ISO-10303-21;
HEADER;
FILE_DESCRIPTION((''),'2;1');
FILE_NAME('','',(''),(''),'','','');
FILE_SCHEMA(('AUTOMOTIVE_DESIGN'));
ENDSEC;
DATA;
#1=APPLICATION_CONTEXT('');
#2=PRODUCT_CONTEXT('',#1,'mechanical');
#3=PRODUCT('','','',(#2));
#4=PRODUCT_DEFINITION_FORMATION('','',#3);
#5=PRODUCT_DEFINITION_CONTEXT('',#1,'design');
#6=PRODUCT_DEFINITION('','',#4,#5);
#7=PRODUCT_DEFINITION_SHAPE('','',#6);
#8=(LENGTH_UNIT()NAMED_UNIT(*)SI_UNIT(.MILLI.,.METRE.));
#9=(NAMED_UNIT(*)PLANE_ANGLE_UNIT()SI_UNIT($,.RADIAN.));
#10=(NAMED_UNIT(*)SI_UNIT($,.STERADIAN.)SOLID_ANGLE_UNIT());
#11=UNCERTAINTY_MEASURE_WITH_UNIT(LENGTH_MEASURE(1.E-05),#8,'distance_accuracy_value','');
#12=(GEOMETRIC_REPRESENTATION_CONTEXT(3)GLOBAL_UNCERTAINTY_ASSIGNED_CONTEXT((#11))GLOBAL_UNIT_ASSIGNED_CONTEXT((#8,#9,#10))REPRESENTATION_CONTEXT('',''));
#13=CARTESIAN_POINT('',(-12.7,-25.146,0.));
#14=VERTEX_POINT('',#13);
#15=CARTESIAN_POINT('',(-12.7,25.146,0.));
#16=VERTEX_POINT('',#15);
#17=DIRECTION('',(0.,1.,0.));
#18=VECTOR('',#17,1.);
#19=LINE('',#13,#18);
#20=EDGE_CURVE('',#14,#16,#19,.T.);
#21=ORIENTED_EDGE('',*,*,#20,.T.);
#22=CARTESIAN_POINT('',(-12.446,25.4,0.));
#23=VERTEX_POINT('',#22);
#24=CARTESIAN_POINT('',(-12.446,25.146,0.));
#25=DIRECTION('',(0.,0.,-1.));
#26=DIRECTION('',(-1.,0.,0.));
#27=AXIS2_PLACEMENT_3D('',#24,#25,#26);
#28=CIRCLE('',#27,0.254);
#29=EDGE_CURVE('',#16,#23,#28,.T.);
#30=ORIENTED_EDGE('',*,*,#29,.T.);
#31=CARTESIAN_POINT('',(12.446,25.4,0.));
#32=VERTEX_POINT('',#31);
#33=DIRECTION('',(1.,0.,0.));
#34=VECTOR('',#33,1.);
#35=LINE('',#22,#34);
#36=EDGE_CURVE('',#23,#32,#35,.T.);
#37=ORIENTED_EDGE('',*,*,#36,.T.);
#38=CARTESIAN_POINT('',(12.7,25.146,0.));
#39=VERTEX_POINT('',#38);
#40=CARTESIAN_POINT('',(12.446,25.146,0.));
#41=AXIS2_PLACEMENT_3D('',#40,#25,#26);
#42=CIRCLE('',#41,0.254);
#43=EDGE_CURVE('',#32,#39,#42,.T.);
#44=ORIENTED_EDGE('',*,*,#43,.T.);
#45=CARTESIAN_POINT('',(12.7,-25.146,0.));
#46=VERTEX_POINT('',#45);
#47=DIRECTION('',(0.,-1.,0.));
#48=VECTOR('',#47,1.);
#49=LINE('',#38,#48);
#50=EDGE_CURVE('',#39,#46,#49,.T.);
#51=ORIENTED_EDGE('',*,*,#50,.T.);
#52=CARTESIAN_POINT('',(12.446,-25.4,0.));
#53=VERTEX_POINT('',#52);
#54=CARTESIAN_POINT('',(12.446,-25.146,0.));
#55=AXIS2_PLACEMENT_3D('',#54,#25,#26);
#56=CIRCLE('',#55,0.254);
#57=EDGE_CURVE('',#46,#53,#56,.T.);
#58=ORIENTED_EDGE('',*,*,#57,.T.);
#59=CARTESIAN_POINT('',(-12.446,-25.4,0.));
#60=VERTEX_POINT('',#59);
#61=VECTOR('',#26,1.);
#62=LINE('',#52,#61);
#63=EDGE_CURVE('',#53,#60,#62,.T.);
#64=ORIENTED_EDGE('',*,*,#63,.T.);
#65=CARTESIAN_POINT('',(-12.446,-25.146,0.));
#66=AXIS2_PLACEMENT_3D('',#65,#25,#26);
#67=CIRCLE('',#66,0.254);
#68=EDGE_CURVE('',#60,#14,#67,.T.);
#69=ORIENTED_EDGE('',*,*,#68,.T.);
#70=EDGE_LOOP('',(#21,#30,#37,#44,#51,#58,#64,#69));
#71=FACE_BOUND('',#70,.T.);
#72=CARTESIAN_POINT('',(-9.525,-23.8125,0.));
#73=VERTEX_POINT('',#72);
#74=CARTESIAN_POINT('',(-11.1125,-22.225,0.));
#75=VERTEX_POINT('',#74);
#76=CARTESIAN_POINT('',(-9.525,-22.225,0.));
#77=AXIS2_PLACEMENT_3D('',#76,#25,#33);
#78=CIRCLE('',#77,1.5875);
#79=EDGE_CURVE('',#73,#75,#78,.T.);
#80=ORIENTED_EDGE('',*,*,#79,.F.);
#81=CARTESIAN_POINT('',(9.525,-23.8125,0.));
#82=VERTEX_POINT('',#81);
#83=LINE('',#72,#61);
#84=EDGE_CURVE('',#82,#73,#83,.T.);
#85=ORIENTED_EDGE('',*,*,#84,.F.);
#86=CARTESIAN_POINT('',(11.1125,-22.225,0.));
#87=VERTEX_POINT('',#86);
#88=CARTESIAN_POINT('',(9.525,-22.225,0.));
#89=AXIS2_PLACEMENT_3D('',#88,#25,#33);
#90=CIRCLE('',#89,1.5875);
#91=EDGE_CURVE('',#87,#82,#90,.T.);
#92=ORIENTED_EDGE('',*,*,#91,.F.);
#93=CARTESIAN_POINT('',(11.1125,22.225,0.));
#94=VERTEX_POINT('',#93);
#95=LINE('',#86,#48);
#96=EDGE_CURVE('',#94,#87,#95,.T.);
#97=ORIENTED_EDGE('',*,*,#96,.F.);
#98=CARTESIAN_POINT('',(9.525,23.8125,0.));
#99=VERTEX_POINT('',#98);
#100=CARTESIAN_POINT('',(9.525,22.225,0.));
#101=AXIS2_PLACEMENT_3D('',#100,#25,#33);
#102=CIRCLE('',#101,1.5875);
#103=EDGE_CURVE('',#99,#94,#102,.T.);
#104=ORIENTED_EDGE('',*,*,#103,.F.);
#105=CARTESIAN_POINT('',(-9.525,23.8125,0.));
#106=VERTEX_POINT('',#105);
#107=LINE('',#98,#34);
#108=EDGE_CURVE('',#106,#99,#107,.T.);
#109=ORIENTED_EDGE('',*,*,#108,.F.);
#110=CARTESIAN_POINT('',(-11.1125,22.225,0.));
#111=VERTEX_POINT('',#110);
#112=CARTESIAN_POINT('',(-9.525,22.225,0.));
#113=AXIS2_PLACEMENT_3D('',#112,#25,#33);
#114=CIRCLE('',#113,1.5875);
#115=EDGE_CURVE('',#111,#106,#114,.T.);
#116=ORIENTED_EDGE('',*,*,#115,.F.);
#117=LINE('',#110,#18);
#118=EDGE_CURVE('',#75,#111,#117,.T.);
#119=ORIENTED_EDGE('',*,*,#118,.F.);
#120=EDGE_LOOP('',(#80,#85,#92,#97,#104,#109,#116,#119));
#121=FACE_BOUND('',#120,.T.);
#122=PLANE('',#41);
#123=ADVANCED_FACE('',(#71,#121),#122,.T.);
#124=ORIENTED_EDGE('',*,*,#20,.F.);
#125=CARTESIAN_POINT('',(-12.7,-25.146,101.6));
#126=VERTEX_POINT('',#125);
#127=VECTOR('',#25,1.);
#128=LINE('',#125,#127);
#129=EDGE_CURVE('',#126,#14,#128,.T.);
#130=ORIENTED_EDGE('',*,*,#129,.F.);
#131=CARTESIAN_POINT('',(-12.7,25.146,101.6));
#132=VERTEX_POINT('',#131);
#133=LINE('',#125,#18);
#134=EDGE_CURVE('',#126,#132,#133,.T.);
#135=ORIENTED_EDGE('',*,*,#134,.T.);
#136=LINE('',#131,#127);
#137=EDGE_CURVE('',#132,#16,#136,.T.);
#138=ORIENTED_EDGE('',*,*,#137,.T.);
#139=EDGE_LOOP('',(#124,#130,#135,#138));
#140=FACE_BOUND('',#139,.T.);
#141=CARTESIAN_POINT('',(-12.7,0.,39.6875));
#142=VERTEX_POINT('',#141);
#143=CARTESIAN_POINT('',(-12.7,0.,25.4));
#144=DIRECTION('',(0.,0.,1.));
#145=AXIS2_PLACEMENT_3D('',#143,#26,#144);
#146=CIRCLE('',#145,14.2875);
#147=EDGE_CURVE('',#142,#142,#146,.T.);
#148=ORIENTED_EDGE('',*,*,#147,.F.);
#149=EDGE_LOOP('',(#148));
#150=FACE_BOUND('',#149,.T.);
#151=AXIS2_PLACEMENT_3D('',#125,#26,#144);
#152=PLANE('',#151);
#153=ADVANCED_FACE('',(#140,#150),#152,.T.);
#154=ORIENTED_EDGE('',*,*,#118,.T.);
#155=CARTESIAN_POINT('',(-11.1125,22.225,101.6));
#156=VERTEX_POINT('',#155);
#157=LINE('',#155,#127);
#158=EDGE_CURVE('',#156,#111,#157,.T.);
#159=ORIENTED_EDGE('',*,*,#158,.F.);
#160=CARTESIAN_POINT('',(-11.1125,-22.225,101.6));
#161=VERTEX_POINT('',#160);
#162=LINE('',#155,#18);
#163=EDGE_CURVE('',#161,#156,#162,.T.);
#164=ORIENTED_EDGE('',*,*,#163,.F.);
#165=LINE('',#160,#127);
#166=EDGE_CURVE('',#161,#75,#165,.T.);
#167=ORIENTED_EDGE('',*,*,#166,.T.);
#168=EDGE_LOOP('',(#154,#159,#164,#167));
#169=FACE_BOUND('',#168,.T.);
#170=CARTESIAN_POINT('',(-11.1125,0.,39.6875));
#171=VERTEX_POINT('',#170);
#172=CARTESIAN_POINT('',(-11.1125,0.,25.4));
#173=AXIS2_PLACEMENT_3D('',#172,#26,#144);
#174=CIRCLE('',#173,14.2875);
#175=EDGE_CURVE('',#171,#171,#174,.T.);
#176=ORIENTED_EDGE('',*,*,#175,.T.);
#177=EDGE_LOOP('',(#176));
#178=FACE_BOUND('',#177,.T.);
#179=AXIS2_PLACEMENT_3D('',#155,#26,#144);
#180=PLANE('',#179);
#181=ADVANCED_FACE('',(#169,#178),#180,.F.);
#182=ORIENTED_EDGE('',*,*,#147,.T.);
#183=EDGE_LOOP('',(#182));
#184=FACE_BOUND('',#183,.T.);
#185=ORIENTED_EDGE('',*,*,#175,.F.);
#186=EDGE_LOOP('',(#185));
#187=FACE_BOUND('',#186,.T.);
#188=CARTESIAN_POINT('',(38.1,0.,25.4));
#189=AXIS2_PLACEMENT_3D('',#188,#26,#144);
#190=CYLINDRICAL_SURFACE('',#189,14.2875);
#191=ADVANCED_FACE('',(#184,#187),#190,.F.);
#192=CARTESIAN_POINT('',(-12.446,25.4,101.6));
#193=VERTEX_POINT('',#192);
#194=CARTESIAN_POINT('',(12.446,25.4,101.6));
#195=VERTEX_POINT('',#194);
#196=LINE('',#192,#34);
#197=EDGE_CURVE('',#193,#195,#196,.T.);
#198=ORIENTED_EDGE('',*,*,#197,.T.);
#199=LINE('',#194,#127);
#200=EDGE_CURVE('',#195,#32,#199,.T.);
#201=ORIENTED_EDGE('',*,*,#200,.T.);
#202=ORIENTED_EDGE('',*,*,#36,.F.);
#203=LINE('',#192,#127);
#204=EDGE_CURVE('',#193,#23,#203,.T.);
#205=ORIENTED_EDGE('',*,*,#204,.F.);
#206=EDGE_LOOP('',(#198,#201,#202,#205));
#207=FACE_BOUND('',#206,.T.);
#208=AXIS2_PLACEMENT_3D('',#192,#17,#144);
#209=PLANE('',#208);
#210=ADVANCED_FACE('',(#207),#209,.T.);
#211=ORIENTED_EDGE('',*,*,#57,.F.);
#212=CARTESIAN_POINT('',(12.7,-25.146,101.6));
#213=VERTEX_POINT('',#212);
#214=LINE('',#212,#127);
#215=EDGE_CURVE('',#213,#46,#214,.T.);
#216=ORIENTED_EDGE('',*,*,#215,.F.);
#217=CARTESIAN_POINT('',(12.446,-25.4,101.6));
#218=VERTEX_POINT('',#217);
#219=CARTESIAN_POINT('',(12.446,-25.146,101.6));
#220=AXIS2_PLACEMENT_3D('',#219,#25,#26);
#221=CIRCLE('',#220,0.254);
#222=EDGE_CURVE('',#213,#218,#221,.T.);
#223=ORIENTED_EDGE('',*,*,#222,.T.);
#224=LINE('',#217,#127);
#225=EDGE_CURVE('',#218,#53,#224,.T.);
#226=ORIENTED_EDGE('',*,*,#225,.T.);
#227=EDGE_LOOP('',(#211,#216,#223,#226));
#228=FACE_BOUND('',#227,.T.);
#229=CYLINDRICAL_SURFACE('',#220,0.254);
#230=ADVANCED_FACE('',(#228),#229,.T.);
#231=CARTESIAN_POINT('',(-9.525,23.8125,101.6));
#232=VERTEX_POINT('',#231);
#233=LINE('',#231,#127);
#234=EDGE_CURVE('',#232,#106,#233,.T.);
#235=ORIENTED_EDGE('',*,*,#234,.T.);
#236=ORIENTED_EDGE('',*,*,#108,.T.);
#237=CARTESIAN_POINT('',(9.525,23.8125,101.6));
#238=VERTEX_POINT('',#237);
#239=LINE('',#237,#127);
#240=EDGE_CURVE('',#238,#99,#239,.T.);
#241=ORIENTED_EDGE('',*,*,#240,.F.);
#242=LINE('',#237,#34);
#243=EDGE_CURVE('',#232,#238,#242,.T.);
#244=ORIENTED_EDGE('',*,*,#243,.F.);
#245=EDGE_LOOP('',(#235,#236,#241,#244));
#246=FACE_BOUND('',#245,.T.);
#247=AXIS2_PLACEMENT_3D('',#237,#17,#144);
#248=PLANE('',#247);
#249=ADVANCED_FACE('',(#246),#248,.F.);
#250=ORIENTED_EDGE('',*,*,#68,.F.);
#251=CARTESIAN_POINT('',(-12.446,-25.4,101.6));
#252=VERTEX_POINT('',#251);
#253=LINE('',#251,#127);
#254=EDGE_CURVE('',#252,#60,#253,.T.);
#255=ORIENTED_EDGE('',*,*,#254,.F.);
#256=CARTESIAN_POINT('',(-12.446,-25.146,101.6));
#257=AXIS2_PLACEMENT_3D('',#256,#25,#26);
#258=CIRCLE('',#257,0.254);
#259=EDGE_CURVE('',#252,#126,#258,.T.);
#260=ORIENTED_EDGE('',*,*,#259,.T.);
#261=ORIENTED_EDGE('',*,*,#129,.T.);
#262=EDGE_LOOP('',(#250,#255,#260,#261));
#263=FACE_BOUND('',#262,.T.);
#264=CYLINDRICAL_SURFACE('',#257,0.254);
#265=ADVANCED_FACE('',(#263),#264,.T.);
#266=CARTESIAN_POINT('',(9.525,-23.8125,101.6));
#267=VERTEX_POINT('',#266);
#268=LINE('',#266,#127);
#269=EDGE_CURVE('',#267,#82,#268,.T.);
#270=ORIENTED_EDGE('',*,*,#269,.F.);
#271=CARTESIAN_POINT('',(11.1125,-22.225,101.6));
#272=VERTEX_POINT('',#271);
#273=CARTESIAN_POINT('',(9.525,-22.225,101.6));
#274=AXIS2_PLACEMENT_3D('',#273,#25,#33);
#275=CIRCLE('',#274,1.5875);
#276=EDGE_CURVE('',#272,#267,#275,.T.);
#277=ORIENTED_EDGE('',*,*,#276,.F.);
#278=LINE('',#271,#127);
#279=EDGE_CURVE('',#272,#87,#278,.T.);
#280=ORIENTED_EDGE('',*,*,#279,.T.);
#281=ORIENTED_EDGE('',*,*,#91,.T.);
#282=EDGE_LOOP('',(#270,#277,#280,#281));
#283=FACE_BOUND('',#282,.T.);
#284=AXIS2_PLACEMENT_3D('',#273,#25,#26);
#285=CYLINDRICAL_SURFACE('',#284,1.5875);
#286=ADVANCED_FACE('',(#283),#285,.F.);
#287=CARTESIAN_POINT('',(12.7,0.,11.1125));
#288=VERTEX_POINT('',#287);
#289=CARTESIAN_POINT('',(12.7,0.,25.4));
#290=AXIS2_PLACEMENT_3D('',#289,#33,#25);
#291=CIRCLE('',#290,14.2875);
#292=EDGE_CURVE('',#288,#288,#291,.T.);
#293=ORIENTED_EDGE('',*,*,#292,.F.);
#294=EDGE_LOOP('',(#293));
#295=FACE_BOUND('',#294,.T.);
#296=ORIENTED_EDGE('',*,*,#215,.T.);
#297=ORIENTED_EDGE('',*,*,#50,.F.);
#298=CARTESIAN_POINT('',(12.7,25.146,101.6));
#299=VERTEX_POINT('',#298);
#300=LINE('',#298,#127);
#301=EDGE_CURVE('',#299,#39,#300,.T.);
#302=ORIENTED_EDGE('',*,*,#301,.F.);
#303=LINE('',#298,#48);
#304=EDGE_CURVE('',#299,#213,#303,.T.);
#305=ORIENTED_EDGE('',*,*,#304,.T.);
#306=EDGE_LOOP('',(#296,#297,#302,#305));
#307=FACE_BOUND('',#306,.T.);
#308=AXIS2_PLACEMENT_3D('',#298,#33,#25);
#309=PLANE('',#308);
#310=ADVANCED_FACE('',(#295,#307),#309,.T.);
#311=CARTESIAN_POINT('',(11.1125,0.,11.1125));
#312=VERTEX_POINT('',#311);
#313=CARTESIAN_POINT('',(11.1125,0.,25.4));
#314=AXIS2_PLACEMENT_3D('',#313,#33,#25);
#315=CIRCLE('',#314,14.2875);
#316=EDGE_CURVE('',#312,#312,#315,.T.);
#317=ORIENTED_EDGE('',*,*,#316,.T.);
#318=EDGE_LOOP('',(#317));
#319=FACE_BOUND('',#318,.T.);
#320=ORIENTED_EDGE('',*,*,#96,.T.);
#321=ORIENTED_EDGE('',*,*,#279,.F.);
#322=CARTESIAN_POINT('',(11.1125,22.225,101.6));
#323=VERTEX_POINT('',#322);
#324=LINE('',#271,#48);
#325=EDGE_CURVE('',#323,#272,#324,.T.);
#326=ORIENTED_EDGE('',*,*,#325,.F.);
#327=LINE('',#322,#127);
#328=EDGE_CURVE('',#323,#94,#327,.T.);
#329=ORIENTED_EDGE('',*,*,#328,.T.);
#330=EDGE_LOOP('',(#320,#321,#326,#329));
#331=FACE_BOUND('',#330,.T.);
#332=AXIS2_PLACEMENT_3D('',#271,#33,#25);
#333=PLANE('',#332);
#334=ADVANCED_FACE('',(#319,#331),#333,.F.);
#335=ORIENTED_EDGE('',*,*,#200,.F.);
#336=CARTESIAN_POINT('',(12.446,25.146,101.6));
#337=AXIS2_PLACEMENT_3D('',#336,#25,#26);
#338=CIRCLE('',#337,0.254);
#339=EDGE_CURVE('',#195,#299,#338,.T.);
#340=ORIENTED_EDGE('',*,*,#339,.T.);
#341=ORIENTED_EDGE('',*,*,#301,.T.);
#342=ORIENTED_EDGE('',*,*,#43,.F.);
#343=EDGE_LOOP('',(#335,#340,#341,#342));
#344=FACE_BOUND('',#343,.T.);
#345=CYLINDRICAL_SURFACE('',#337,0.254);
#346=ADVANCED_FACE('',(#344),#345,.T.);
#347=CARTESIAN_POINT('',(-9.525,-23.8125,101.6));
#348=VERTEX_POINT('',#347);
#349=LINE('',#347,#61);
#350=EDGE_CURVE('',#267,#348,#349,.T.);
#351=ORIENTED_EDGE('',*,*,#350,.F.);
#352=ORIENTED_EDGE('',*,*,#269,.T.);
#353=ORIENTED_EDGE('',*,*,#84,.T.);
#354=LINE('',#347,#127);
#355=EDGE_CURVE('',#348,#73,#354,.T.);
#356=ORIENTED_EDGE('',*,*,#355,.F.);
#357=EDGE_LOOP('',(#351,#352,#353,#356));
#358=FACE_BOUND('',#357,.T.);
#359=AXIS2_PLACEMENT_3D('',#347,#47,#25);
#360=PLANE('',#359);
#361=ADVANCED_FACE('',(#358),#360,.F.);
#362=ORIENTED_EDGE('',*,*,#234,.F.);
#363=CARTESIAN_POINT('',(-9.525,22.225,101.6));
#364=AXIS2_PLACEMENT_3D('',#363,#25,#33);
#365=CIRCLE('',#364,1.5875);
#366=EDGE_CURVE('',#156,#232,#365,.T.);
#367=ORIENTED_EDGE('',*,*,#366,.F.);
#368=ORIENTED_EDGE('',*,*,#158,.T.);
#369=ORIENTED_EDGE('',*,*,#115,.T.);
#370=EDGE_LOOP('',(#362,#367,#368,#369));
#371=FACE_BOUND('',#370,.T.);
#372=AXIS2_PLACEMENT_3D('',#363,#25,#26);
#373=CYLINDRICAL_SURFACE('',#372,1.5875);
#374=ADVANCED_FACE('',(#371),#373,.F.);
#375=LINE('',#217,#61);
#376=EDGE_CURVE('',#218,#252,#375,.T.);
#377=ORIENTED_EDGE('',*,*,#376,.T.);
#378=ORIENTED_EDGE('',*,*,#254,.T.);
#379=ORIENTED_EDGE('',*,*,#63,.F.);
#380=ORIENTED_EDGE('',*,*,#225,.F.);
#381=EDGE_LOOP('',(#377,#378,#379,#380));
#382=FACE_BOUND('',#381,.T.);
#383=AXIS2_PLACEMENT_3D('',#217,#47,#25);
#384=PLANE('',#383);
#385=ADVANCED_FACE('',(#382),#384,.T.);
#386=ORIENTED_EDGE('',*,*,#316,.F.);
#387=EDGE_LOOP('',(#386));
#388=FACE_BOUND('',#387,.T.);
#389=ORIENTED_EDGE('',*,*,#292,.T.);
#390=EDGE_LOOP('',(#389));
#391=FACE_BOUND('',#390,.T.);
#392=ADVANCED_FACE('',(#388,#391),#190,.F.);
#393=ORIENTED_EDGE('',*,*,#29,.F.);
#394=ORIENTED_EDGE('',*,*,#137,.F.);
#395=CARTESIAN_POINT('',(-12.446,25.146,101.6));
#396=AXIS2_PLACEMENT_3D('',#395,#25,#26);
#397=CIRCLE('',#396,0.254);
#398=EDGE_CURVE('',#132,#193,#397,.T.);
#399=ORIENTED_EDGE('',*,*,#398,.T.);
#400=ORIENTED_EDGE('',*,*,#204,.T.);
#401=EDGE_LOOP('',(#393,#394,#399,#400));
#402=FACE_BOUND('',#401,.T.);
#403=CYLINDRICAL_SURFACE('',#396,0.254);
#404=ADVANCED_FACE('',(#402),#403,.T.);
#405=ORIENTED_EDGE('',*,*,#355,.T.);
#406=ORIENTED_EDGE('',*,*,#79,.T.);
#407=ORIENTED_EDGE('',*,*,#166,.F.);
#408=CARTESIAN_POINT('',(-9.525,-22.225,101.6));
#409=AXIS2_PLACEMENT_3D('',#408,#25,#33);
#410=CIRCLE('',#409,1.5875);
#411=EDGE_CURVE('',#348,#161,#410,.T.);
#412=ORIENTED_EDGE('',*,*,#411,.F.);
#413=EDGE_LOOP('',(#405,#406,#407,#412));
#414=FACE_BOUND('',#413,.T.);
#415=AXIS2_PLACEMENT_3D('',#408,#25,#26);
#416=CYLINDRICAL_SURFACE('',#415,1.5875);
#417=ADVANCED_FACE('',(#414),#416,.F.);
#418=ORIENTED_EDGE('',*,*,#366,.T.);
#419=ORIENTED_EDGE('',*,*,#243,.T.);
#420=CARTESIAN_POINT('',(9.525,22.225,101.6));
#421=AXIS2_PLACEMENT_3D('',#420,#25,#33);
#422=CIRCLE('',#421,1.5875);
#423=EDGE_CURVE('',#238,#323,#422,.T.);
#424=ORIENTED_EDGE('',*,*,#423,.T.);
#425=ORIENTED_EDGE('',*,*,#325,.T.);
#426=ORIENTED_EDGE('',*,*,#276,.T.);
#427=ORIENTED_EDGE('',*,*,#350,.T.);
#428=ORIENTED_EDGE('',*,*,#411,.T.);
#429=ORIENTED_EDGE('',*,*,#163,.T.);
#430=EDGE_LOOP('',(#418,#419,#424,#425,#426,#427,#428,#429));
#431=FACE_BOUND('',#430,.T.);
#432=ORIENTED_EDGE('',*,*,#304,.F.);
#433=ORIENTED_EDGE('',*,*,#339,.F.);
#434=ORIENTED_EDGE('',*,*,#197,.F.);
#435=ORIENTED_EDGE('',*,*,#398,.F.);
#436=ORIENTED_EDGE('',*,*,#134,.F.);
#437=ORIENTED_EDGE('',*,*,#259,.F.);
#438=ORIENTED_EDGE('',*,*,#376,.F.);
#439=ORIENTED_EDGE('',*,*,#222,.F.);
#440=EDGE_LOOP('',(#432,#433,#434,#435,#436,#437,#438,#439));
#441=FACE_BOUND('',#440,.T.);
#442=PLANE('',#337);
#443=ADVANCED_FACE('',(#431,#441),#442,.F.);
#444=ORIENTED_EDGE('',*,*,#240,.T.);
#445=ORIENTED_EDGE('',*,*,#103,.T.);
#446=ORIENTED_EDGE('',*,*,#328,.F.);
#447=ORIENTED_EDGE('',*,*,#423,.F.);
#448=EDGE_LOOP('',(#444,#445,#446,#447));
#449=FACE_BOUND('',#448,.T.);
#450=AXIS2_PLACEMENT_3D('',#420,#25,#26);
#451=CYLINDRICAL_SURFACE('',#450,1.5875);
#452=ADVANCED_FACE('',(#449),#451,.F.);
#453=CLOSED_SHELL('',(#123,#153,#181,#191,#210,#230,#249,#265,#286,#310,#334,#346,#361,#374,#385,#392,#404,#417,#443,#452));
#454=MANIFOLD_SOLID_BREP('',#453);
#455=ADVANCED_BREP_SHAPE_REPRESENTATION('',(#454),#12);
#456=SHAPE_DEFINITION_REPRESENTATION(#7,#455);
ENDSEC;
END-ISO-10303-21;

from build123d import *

# Parameters (mm, degrees)
BOSS_EXTRUDE1_DEPTH = 101.6
SKETCH2_R           = 14.2875
CUT_EXTRUDE1_DEPTH  = 50.8


with BuildPart() as part:
    # Sketch1 → Boss-Extrude1 (new body)
    with BuildSketch(Plane(origin=(0, 0, 0), x_dir=(-1, 0, 0), z_dir=(0, 0, -1))):
        with BuildLine():
            Line((-12.7, 25.146), (-12.7, -25.146))
            ThreePointArc((-12.7, -25.146), (-12.625605122, -25.325605122), (-12.446, -25.4))
            Line((-12.446, -25.4), (12.446, -25.4))
            ThreePointArc((12.446, -25.4), (12.625605122, -25.325605122), (12.7, -25.146))
            Line((12.7, -25.146), (12.7, 25.146))
            ThreePointArc((12.7, 25.146), (12.625605122, 25.325605122), (12.446, 25.4))
            Line((12.446, 25.4), (-12.446, 25.4))
            ThreePointArc((-12.446, 25.4), (-12.625605122, 25.325605122), (-12.7, 25.146))
        make_face()
        with BuildLine():
            Line((-11.1125, -22.225), (-11.1125, 22.225))
            ThreePointArc((-11.1125, 22.225), (-10.647532015, 23.347532015), (-9.525, 23.8125))
            Line((-9.525, 23.8125), (9.525, 23.8125))
            ThreePointArc((9.525, 23.8125), (10.647532015, 23.347532015), (11.1125, 22.225))
            Line((11.1125, 22.225), (11.1125, -22.225))
            ThreePointArc((11.1125, -22.225), (10.647532015, -23.347532015), (9.525, -23.8125))
            Line((9.525, -23.8125), (-9.525, -23.8125))
            ThreePointArc((-9.525, -23.8125), (-10.647532015, -23.347532015), (-11.1125, -22.225))
        make_face(mode=Mode.SUBTRACT)
    extrude(amount=-BOSS_EXTRUDE1_DEPTH)

    # Sketch2 → Cut-Extrude1 (cut)
    with BuildSketch(Plane.ZY.offset(12.7)):
        with Locations((25.4, 0)):
            Circle(SKETCH2_R)
    extrude(amount=-CUT_EXTRUDE1_DEPTH, mode=Mode.SUBTRACT)


solid = part.part
